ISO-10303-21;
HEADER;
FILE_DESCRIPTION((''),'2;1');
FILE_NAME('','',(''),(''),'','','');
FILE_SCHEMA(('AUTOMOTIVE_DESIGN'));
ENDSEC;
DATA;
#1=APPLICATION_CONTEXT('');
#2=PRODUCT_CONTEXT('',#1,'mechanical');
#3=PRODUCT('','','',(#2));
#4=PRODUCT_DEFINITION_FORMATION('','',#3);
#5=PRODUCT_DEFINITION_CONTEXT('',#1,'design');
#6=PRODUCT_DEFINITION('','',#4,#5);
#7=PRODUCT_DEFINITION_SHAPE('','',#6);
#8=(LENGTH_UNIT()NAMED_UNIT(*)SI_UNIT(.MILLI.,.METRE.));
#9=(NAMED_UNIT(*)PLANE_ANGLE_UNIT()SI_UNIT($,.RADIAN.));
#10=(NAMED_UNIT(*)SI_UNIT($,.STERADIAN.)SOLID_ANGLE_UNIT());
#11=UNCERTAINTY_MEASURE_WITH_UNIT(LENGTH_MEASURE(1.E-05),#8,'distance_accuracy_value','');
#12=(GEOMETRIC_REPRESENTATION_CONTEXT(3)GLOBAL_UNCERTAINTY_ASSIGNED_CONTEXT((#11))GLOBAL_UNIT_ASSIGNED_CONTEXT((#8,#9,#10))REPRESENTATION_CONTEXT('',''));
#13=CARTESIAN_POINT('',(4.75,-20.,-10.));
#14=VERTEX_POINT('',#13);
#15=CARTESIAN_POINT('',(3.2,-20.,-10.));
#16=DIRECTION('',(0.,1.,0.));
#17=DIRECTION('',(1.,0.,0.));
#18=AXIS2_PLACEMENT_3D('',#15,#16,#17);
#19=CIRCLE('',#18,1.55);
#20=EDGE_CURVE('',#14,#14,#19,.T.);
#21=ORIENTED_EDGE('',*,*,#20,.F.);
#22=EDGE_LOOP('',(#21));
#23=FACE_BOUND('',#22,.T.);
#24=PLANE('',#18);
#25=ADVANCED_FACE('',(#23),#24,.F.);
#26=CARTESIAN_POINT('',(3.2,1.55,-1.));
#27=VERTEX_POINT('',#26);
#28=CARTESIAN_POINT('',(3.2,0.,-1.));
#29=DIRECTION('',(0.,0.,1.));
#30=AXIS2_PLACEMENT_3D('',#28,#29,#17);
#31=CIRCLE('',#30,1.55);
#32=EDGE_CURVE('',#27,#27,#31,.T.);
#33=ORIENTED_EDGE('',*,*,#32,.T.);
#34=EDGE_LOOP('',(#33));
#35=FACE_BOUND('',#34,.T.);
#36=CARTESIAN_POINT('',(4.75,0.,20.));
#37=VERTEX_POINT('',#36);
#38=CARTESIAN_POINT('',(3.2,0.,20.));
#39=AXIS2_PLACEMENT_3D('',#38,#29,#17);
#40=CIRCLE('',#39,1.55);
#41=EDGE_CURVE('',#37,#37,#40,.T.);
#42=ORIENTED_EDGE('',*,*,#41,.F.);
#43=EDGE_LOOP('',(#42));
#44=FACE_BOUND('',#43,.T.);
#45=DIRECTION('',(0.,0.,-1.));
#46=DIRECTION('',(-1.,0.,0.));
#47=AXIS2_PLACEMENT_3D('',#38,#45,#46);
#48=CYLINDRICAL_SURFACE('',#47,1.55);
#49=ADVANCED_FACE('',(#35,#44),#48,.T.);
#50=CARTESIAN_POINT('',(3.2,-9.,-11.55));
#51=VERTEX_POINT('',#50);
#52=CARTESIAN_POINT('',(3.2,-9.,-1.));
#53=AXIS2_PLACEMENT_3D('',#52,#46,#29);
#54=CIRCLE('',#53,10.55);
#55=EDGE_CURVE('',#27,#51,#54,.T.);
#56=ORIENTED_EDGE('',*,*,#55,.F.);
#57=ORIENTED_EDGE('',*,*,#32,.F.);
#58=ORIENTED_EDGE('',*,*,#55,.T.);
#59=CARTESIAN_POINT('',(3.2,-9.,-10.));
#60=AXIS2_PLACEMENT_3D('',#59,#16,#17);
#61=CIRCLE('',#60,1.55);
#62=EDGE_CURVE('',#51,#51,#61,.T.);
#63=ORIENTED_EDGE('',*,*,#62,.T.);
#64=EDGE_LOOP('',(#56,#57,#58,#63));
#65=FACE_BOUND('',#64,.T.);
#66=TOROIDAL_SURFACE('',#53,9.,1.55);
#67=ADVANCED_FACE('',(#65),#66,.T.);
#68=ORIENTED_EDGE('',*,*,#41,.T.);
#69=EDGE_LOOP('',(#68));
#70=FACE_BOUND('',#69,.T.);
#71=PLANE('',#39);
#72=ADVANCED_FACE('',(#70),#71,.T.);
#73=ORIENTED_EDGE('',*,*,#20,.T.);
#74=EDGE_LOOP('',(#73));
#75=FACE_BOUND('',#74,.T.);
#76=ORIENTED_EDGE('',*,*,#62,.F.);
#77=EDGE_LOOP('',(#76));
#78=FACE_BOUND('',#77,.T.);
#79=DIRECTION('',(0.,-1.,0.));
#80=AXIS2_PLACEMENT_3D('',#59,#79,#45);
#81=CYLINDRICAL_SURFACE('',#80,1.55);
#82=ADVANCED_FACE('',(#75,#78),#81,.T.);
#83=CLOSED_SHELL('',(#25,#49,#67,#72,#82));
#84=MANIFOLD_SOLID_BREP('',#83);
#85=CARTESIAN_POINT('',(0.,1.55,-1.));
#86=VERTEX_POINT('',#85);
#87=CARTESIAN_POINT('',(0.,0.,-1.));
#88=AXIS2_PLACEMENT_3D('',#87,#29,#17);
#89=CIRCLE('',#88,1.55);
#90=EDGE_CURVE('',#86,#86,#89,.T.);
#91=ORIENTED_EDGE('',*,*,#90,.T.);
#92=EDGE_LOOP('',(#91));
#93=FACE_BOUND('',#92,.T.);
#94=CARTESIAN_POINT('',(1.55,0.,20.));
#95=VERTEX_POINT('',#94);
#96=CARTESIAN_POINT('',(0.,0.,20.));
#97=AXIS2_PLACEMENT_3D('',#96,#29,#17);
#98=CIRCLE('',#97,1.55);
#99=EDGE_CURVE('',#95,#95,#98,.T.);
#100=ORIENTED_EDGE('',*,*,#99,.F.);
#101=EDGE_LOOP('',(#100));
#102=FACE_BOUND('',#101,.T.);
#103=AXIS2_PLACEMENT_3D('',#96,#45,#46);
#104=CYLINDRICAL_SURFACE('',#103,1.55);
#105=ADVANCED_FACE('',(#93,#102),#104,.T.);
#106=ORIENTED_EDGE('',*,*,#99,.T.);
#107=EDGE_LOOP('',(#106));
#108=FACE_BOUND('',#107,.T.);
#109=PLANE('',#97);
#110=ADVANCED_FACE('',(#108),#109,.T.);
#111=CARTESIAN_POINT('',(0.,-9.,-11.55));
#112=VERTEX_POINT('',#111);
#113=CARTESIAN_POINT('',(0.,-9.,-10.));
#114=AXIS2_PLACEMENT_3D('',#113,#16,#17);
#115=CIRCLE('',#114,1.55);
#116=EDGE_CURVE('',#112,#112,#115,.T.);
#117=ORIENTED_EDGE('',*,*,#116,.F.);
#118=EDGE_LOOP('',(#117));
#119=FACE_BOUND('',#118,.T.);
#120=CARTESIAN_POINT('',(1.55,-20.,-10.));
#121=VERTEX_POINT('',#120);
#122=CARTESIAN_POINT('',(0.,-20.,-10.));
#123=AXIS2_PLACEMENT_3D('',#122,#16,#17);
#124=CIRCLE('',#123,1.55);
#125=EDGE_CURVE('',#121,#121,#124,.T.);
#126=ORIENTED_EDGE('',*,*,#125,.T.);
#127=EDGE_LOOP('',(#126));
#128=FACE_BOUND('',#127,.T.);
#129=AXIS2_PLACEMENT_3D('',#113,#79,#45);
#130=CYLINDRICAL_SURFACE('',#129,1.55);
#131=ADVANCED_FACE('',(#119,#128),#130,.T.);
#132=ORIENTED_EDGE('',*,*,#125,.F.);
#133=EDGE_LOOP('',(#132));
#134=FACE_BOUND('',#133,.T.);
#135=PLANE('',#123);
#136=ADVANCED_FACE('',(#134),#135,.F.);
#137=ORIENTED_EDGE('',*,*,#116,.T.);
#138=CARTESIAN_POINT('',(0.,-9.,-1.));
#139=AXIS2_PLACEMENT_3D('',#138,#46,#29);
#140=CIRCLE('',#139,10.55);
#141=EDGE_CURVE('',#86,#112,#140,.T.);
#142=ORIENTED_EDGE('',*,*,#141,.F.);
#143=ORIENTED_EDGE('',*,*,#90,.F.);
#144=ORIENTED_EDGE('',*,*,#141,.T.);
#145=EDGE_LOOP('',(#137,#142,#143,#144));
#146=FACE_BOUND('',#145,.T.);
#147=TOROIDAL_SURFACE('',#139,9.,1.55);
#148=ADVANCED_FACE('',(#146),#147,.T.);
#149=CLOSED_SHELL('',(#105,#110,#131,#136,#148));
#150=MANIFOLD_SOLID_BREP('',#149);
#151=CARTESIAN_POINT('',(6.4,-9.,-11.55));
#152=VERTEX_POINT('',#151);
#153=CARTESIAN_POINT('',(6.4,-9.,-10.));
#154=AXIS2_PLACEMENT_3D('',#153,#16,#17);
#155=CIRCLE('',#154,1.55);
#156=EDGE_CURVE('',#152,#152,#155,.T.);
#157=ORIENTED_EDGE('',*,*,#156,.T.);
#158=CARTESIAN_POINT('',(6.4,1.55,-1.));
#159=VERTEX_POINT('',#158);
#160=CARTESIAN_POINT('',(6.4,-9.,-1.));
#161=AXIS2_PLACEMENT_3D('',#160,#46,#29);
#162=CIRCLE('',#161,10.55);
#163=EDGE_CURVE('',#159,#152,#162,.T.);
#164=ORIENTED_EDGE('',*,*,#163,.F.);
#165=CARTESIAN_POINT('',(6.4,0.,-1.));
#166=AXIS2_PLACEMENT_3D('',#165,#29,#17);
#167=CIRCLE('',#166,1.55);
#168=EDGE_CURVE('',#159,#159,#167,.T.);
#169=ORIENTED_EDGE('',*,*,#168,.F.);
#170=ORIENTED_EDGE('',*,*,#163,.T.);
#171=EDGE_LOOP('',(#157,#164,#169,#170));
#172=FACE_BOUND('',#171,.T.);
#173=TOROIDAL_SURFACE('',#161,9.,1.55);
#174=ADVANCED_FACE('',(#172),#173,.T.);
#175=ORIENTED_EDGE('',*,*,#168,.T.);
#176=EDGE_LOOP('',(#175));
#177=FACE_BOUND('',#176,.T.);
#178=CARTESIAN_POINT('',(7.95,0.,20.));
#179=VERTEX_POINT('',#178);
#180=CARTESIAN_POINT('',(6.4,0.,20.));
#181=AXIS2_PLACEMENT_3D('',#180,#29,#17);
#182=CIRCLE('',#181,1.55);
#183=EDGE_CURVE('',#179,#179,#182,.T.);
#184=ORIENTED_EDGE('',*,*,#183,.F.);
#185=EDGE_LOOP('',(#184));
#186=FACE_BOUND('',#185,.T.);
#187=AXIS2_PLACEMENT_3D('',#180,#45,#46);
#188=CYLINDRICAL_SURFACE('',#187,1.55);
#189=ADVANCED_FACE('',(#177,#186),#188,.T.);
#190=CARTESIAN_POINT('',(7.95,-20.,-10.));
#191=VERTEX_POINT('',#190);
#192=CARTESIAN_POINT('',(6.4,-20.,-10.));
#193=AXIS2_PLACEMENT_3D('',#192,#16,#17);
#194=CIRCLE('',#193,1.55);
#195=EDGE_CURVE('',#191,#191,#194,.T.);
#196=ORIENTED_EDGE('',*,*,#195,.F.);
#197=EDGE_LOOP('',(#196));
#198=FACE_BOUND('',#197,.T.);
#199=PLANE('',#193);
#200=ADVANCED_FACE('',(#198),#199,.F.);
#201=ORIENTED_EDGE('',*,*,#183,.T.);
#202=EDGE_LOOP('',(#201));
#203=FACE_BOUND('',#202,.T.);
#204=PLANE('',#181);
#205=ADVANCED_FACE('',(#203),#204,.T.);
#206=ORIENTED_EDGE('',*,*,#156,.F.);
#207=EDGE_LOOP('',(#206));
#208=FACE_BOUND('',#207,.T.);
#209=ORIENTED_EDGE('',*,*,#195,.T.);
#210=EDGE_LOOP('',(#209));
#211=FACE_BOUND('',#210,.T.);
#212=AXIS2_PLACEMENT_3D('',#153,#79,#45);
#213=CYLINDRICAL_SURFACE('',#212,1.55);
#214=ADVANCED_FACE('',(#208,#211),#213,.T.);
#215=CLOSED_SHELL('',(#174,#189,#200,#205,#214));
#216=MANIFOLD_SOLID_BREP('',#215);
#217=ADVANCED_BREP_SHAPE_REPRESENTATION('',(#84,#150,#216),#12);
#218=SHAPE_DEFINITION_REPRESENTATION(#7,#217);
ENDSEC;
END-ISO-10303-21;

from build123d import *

# Parameters (mm, degrees)
SKETCH1_R             = 1.55
BOSS_EXTRUDE1_DEPTH   = 20
BOSS_EXTRUDE1_2_DEPTH = 20
BOSS_EXTRUDE1_3_DEPTH = 20
SKETCH2_R             = 1.55


with BuildPart() as part:
    # Sketch1 → Boss-Extrude1 (new body)
    with BuildSketch(Plane.XY):
        Circle(SKETCH1_R)
    extrude(amount=BOSS_EXTRUDE1_DEPTH)



with BuildPart() as body_2:
    # Sketch1 → Boss-Extrude1 2 (new body)
    with BuildSketch(Plane.XY):
        with Locations((3.2, 0)):
            Circle(SKETCH1_R)
    extrude(amount=BOSS_EXTRUDE1_2_DEPTH)


with BuildPart() as body_3:
    # Sketch1 → Boss-Extrude1 3 (new body)
    with BuildSketch(Plane.XY):
        with Locations((6.4, 0)):
            Circle(SKETCH1_R)
    extrude(amount=BOSS_EXTRUDE1_3_DEPTH)


with BuildPart() as part_1:
    add(part.part)

    add(body_2.part)  # Sweep2 merges body 2

    add(body_3.part)  # Sweep2 merges body 3
    # Sweep2: sweep along a path in Sketch3
    with BuildLine(Plane(origin=(0, 0, 0), x_dir=(0, 0, -1), z_dir=(1, 0, 0))) as sweep2_path:
        Line((0, 0), (1, 0))
        ThreePointArc((1, 0), (7.363961031, -2.636038969), (10, -9))
        Line((10, -9), (10, -20))
    # Sketch2 → Sweep2 (sweep)
    with BuildSketch(Plane.XY):
        with Locations((6.4, 0)):
            Circle(SKETCH2_R)
        with Locations((3.2, 0)):
            Circle(SKETCH2_R)
        Circle(SKETCH2_R)
    sweep(path=sweep2_path.line)


solid = part_1.part
